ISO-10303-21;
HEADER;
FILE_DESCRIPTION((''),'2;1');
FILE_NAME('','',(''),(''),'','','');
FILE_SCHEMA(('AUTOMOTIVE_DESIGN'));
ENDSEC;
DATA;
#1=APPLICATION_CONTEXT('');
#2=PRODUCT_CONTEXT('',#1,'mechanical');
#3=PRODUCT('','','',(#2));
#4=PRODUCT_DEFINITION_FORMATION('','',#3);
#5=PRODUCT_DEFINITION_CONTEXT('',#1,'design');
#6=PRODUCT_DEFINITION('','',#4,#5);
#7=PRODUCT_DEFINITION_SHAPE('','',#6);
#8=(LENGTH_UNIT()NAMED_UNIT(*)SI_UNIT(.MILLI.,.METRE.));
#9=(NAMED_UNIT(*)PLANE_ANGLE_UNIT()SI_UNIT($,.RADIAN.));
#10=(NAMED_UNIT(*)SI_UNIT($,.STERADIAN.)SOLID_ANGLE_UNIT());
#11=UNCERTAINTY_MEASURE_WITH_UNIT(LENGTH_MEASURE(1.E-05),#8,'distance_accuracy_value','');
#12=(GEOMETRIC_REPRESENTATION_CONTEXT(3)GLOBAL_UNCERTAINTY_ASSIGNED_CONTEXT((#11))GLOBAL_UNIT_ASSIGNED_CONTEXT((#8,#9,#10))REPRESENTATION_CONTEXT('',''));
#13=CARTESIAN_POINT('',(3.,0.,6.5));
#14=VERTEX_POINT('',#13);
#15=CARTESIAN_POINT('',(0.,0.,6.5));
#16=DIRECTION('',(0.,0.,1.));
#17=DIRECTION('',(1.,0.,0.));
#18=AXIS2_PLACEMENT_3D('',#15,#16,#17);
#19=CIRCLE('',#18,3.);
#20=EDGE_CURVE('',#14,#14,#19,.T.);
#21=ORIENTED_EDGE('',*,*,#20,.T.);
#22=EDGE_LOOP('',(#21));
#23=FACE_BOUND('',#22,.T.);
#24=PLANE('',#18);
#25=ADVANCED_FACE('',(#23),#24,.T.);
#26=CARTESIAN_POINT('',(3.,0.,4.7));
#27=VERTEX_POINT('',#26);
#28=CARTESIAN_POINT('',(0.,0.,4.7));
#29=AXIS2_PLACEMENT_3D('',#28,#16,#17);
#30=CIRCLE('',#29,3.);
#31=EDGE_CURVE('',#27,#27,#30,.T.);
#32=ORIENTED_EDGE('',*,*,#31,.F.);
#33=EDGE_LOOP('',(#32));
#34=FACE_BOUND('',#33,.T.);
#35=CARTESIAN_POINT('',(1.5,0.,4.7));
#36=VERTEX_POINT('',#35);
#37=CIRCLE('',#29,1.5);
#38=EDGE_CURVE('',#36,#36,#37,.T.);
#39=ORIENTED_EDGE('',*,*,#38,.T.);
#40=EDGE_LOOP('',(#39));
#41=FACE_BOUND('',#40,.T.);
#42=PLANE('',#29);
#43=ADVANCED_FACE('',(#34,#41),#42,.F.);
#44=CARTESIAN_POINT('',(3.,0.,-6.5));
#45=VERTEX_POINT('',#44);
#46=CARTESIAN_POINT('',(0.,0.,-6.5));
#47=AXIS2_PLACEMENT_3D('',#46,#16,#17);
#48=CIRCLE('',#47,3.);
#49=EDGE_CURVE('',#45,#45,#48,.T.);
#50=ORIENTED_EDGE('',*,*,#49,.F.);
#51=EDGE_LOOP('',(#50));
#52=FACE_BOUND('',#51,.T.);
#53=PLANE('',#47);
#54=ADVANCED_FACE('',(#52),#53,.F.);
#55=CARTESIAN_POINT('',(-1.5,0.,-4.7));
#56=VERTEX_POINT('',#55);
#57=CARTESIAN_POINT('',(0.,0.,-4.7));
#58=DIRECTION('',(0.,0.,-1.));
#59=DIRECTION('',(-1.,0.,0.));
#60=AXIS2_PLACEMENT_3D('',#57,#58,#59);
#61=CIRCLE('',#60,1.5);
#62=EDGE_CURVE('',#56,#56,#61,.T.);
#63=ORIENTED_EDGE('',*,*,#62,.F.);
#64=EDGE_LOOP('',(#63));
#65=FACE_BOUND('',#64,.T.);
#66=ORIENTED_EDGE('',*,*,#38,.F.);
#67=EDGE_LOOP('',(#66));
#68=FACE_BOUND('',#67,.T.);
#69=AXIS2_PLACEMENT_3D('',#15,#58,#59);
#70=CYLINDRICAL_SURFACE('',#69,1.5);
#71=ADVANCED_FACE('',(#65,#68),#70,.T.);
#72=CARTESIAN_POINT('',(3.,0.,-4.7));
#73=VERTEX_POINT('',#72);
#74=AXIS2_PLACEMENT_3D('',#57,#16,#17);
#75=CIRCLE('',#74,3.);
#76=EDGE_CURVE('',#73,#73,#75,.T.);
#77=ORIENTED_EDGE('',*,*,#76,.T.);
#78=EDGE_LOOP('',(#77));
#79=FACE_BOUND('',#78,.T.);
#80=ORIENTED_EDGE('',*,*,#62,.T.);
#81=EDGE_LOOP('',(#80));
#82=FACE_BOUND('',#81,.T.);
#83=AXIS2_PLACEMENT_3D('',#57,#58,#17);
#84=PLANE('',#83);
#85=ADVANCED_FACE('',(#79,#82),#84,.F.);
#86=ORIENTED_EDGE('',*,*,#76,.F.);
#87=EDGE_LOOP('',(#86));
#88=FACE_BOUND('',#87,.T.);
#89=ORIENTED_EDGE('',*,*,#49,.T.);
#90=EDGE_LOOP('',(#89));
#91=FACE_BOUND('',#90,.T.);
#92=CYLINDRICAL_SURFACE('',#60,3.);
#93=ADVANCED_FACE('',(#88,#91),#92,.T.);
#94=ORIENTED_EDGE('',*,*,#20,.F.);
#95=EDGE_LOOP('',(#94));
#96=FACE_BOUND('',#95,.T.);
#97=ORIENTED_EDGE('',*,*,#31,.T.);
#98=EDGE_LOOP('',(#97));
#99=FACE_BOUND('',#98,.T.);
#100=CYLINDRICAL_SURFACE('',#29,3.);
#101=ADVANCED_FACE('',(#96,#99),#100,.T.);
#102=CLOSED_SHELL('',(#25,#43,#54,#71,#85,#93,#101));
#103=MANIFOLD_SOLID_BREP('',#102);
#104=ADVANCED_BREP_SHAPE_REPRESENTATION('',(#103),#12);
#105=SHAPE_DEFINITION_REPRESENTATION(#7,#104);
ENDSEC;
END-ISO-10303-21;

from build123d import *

# Parameters (mm, degrees)
SKETCH1_R           = 1.5
BOSS_EXTRUDE1_DEPTH = 6.5
SKETCH2_R           = 3
BOSS_EXTRUDE2_DEPTH = 1.8


with BuildPart() as part:
    # Sketch1 → Boss-Extrude1 (new body, symmetric)
    with BuildSketch(Plane.XY):
        Circle(SKETCH1_R)
    extrude(amount=BOSS_EXTRUDE1_DEPTH, both=True)

    # Sketch2 → Boss-Extrude2 (add)
    with BuildSketch(Plane.XY.offset(6.5)):
        Circle(SKETCH2_R)
    boss_extrude2 = extrude(amount=-BOSS_EXTRUDE2_DEPTH)

    # Mirror1: Boss-Extrude2 across plane
    add(boss_extrude2.mirror(Plane.XY))


solid = part.part
